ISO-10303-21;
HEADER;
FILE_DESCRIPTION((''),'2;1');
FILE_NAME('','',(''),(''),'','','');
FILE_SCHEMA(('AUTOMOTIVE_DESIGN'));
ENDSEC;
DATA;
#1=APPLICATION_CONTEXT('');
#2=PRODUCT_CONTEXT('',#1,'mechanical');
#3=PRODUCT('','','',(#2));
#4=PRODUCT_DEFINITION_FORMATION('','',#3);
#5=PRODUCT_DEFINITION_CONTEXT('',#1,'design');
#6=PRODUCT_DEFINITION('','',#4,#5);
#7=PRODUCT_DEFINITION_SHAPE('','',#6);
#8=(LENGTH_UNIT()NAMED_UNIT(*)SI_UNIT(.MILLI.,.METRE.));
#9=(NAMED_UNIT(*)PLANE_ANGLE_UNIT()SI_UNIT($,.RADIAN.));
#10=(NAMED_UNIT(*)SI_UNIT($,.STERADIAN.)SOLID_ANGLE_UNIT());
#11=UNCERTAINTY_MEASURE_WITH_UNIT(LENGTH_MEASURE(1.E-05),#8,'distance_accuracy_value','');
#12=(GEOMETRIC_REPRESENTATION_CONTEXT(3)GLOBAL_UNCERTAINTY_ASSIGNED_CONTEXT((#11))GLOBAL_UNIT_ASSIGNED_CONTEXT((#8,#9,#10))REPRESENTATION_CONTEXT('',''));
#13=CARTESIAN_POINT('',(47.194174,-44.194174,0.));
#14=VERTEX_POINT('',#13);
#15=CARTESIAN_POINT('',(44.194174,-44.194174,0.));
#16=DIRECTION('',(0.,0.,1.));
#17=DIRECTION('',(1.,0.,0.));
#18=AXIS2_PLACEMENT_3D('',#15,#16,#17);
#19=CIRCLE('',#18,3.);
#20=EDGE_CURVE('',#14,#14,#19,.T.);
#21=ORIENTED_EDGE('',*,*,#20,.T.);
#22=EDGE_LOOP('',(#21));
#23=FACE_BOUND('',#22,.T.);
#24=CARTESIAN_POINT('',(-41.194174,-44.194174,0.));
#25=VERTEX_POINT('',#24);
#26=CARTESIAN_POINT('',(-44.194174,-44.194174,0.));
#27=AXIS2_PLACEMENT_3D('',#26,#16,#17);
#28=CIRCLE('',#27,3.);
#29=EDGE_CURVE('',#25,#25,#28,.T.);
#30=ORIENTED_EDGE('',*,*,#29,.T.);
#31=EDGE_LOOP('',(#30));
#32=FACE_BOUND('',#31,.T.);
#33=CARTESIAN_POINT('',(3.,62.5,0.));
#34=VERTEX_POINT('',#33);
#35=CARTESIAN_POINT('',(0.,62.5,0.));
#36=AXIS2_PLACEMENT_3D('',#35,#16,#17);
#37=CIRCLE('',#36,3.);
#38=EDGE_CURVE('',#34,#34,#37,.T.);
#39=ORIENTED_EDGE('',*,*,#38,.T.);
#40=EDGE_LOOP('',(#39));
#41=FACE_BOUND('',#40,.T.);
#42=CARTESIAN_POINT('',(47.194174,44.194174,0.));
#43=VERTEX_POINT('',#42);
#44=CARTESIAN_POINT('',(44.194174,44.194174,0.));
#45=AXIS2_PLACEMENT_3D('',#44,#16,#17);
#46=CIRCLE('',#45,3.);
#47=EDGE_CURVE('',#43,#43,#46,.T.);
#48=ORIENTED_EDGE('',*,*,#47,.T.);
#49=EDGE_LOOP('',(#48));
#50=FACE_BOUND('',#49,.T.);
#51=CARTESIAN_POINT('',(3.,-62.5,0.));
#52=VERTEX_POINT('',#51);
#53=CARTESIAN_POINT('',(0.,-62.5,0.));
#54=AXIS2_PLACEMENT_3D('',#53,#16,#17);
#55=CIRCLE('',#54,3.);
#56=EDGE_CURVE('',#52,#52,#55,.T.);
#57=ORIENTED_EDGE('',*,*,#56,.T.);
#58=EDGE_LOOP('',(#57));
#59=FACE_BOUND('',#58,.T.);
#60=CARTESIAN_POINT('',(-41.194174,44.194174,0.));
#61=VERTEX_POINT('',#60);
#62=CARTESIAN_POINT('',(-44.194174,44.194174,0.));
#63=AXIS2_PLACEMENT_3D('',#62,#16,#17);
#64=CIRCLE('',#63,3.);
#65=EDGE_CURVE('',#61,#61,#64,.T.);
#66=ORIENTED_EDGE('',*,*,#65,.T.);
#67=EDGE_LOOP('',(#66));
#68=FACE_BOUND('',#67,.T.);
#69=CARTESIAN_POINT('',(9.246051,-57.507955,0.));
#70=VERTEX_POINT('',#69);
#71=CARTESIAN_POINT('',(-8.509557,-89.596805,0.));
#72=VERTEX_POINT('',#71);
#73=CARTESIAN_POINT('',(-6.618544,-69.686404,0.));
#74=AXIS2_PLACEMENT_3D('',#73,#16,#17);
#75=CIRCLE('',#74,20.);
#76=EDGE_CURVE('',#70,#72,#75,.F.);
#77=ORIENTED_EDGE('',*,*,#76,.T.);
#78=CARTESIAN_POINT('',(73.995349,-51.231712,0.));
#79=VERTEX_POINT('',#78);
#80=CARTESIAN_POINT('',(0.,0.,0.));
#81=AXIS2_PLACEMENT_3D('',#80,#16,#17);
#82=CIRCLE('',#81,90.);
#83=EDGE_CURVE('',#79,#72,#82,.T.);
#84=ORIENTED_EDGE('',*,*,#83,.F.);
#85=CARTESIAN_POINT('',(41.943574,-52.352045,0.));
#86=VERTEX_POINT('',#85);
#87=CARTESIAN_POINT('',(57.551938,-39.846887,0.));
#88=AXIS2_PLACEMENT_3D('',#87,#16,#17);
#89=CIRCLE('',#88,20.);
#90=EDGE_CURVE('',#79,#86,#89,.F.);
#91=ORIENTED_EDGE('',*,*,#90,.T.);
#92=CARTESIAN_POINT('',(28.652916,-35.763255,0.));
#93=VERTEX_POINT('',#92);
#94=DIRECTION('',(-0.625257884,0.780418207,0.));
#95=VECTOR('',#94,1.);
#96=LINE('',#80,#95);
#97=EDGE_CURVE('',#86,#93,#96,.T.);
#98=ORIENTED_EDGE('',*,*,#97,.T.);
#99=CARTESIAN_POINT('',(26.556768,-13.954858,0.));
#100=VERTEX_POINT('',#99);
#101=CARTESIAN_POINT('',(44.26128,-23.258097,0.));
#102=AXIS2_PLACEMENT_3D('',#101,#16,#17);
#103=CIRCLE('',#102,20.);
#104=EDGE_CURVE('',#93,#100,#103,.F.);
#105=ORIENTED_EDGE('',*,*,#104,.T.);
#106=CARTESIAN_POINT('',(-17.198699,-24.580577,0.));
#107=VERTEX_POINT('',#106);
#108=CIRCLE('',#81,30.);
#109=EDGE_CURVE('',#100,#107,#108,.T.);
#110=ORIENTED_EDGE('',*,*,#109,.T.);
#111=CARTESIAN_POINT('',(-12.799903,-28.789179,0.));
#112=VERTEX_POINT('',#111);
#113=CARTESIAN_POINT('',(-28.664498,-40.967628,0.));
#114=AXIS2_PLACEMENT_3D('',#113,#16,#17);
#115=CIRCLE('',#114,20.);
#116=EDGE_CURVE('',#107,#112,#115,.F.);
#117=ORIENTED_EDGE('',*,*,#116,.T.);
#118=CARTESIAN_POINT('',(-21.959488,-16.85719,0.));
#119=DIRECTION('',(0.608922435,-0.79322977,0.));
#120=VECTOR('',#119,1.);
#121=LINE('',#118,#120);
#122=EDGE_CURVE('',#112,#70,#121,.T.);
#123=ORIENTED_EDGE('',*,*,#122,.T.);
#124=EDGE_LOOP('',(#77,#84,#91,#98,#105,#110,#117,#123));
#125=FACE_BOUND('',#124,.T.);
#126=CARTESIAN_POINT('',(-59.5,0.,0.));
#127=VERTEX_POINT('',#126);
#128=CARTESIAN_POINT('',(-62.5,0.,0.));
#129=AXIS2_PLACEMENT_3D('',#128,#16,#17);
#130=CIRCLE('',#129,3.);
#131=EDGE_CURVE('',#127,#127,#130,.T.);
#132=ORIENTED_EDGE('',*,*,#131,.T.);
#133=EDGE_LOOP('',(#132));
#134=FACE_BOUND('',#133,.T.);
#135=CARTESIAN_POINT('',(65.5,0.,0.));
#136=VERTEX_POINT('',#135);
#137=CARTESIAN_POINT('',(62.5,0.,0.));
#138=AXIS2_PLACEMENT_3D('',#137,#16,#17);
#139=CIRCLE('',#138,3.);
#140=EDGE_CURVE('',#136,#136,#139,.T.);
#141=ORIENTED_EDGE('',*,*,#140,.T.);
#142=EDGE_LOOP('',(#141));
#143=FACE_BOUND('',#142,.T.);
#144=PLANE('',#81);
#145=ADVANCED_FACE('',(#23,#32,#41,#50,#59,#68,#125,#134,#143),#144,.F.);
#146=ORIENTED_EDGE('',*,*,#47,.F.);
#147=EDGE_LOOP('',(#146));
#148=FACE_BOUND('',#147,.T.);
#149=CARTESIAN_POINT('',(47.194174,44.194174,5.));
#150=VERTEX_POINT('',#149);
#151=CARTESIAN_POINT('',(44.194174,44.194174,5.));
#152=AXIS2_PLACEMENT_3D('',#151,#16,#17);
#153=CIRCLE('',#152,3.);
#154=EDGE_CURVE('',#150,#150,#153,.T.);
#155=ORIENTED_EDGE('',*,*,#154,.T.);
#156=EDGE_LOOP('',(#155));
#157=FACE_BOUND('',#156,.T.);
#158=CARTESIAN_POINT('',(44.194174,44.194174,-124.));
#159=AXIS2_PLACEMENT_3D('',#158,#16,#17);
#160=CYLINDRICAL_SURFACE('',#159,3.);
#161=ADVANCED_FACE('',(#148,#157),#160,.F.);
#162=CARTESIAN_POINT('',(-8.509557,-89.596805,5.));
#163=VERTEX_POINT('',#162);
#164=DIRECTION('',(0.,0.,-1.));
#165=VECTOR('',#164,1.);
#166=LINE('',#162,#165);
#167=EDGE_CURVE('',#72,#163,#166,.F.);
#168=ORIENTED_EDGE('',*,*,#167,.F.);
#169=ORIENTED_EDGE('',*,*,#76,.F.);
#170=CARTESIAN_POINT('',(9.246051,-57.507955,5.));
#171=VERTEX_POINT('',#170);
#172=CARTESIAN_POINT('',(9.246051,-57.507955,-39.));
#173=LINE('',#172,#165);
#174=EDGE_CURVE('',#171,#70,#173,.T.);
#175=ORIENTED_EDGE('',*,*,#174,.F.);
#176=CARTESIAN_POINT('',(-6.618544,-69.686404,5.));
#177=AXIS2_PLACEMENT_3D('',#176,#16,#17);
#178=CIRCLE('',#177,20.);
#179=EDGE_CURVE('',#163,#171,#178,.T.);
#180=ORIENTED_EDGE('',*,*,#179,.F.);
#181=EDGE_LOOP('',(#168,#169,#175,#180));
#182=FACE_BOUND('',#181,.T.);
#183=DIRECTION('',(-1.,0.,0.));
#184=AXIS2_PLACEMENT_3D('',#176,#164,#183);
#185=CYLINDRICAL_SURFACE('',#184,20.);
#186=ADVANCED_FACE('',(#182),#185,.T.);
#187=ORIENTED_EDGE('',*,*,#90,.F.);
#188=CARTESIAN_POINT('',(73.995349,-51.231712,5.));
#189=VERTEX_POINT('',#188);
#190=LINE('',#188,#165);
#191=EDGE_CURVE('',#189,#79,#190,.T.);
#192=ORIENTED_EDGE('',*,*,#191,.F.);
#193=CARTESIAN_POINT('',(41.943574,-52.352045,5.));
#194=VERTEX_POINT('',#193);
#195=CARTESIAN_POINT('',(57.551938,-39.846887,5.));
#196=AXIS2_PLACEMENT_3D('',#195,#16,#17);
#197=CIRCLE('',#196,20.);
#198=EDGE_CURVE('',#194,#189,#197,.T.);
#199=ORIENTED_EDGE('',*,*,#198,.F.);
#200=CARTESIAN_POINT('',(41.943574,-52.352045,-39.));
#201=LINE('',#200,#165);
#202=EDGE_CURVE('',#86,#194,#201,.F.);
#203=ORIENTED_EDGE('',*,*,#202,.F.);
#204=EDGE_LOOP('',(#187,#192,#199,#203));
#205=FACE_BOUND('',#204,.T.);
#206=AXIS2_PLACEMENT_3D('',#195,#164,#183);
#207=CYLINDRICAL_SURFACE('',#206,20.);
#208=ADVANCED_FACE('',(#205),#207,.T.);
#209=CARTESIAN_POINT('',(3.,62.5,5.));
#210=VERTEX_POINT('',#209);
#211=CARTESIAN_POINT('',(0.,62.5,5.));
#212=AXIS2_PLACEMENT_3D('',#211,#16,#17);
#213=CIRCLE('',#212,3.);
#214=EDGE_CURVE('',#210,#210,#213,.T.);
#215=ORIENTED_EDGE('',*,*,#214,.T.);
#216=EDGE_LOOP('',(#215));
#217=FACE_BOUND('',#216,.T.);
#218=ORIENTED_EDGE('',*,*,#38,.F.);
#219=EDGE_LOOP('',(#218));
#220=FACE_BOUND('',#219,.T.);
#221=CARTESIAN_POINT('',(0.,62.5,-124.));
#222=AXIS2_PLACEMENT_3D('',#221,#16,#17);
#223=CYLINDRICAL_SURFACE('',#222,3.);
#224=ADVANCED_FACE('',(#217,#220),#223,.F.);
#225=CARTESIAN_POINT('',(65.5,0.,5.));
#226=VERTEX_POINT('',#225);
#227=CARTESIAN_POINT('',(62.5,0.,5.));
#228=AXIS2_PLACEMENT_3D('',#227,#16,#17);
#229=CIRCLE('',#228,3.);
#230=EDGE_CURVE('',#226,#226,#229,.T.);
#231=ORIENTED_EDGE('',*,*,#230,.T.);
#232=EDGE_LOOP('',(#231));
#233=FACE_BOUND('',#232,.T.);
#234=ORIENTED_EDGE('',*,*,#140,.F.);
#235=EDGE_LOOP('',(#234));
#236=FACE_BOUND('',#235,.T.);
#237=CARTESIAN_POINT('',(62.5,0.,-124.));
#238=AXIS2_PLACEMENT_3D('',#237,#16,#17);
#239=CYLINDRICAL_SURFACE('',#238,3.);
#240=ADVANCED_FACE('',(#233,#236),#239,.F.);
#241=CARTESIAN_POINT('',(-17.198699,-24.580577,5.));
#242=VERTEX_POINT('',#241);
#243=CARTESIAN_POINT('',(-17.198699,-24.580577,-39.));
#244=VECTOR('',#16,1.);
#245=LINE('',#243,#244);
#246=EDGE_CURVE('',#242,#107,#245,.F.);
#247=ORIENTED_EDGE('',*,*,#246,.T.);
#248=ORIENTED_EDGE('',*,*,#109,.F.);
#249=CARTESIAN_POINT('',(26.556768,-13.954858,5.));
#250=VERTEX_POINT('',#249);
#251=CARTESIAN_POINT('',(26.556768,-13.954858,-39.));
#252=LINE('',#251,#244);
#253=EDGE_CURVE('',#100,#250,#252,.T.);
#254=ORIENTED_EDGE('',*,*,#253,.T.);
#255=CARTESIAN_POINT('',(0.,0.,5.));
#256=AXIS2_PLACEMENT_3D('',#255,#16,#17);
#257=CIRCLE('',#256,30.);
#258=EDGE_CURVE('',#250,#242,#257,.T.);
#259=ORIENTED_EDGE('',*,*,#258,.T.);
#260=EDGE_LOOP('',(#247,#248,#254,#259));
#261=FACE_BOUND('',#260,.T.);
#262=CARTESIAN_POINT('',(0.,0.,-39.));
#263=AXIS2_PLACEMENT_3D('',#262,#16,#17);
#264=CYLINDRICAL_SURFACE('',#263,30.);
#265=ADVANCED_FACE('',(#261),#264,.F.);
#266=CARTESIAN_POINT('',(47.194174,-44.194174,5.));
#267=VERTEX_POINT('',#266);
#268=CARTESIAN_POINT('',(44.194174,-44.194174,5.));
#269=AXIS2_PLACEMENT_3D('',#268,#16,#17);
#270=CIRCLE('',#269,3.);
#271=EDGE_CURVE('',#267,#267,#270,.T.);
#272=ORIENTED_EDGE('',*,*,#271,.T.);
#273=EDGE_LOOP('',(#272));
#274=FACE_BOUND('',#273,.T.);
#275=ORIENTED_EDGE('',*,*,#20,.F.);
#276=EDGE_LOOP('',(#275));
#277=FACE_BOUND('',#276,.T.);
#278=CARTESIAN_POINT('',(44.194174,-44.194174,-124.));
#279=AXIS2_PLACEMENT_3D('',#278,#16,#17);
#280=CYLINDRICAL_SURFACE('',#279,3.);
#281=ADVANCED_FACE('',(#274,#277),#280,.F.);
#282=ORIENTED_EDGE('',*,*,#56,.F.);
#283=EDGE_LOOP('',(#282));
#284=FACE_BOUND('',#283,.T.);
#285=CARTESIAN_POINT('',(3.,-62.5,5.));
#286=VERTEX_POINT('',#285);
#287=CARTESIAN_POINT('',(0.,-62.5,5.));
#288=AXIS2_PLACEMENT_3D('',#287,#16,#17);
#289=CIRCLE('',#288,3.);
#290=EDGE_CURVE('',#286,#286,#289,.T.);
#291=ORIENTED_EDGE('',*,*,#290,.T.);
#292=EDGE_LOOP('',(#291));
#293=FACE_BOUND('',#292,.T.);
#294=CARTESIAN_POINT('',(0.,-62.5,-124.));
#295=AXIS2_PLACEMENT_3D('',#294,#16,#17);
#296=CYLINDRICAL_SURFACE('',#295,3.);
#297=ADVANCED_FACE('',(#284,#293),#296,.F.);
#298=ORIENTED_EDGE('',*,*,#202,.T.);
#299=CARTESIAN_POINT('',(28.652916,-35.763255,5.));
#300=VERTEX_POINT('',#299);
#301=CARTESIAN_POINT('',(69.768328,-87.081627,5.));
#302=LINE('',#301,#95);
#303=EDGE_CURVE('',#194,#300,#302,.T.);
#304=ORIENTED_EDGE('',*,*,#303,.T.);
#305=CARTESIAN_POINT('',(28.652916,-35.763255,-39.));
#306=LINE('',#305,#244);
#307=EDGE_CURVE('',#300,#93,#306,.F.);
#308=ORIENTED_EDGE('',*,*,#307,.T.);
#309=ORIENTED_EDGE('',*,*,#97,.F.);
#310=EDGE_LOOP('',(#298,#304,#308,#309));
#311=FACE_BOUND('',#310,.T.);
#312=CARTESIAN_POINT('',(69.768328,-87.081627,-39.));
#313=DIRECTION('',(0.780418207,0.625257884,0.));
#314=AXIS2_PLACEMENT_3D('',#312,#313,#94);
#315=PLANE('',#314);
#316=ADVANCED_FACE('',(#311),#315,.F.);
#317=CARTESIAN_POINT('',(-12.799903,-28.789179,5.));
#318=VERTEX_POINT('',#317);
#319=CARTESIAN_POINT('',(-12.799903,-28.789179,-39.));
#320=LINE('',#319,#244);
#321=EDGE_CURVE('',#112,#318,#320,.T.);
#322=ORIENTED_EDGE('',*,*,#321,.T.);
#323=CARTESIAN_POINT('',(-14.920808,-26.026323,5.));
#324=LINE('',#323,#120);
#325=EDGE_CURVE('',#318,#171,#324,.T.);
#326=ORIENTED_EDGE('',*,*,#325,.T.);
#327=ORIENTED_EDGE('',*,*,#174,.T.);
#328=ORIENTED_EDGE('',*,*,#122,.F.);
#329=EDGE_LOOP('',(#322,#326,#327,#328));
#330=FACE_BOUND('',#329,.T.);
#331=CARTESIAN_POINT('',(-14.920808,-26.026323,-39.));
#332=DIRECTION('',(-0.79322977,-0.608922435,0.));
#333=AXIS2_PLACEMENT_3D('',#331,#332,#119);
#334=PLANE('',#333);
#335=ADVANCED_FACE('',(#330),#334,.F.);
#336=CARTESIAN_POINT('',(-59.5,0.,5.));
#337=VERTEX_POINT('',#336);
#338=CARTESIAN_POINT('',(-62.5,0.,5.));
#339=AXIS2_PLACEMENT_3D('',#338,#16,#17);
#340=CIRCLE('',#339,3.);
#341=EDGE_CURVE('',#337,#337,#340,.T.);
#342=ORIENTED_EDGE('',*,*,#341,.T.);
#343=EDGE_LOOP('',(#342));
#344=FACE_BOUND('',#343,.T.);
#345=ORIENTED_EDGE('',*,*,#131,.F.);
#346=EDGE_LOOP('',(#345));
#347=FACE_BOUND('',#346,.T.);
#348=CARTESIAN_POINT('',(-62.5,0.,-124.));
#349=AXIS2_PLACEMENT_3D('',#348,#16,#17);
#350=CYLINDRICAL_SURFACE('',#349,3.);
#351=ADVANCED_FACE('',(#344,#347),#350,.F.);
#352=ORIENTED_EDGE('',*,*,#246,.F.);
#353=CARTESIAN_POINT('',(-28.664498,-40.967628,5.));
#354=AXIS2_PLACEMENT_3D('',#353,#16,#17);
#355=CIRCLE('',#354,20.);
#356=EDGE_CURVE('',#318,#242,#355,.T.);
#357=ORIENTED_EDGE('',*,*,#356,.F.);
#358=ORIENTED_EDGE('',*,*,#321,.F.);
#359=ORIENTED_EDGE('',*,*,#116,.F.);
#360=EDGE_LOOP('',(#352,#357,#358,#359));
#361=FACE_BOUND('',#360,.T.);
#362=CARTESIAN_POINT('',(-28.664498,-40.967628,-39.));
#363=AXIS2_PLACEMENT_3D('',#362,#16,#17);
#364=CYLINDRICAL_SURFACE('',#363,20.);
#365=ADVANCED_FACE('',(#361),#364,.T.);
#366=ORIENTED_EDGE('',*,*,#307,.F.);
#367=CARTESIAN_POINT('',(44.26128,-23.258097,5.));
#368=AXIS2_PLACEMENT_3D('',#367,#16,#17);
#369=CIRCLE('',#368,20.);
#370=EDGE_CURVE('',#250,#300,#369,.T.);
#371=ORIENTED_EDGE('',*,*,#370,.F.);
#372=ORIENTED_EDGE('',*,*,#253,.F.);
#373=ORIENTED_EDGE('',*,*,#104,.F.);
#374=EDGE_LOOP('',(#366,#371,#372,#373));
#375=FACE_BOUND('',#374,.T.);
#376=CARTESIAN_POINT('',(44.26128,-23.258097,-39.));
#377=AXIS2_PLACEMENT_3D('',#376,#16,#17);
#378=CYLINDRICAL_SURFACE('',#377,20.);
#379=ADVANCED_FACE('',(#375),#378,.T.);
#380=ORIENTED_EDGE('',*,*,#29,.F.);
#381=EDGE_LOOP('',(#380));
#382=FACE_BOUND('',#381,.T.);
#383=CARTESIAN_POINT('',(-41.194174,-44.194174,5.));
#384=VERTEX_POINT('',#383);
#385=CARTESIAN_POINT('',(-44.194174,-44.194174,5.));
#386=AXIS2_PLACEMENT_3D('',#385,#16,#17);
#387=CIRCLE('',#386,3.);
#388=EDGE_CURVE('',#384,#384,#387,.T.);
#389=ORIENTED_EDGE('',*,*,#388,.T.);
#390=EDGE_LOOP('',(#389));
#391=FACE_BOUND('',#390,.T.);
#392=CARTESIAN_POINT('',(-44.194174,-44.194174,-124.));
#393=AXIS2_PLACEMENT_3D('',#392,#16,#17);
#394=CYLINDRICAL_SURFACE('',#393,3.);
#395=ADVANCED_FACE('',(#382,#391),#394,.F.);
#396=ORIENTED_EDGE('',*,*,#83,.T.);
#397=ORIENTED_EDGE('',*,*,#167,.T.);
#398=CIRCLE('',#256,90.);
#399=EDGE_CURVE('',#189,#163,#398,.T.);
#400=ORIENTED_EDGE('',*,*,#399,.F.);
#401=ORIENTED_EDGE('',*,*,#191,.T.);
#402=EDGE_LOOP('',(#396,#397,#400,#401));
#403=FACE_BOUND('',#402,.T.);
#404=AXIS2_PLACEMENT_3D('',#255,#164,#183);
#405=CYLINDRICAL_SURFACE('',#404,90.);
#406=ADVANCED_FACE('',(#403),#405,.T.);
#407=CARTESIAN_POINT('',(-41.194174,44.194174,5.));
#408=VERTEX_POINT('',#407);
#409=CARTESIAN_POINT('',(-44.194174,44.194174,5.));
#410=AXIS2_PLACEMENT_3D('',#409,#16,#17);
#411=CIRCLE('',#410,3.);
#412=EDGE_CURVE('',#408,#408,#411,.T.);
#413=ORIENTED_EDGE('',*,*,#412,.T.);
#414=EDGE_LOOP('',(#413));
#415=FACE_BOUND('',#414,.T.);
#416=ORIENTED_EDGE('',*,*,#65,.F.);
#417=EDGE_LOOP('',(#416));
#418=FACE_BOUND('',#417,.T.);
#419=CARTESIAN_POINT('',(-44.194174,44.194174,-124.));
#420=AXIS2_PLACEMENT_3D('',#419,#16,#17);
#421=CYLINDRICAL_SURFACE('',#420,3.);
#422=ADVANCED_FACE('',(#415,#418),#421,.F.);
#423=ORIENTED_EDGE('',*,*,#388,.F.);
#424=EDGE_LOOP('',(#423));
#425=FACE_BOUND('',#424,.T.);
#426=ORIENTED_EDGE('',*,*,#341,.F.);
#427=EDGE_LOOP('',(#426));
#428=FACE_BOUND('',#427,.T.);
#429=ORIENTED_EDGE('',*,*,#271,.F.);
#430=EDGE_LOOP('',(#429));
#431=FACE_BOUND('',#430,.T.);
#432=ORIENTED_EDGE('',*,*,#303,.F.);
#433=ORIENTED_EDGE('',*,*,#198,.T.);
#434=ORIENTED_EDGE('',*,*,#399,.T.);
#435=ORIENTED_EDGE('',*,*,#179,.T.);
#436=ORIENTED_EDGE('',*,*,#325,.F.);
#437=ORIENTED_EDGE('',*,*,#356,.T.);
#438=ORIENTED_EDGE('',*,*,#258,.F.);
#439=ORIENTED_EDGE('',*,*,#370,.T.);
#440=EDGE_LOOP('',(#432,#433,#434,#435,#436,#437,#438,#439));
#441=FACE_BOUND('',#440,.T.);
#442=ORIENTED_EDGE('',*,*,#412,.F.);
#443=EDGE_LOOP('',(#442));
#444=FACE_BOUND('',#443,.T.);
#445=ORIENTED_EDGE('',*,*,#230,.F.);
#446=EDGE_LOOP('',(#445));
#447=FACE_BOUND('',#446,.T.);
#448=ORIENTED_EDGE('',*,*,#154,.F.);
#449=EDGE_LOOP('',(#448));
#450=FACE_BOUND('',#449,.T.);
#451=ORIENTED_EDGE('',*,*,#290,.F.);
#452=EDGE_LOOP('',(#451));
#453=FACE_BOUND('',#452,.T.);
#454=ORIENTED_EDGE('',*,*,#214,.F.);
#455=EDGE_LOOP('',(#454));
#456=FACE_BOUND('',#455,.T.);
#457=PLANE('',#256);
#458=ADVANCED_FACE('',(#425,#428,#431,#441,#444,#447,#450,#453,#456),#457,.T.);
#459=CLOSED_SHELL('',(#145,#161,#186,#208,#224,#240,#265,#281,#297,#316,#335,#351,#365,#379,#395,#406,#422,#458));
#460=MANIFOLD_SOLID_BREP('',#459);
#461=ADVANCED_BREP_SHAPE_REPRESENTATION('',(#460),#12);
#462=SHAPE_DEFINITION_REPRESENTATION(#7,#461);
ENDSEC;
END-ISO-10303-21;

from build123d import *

# Parameters (mm, degrees)
SKETCH1_R           = 90
BOSS_EXTRUDE1_DEPTH = 5
CUT_EXTRUDE1_DEPTH  = 44
SKETCH3_R           = 3
CUT_EXTRUDE2_DEPTH  = 129
FILLET1_R           = 20


with BuildPart() as part:
    # Sketch1 → Boss-Extrude1 (new body)
    with BuildSketch(Plane.XY):
        Circle(SKETCH1_R)
    extrude(amount=BOSS_EXTRUDE1_DEPTH)

    # Sketch2 → Cut-Extrude1 (cut)
    with BuildSketch(Plane.XY.offset(5)):
        with BuildLine():
            Line((69.768328483, -87.081626915), (45.971435375, -105.349299959))
            Line((45.971435375, -105.349299959), (-14.920808105, -26.026322935))
            ThreePointArc((-14.920808105, -26.026322935), (-2.321306127, 29.91005747), (18.757736535, -23.412546211))
            Line((18.757736535, -23.412546211), (69.768328483, -87.081626915))
        make_face()
    extrude(amount=-CUT_EXTRUDE1_DEPTH, mode=Mode.SUBTRACT)

    # Sketch3 → Cut-Extrude2 (cut)
    with BuildSketch(Plane.XY.offset(5)):
        with Locations((62.5, 0)):
            Circle(SKETCH3_R)
        with Locations((44.194173824, -44.194173824)):
            Circle(SKETCH3_R)
        with Locations((0, -62.5)):
            Circle(SKETCH3_R)
        with Locations((-44.194173824, -44.194173824)):
            Circle(SKETCH3_R)
        with Locations((-62.5, 0)):
            Circle(SKETCH3_R)
        with Locations((-44.194173824, 44.194173824)):
            Circle(SKETCH3_R)
        with Locations((0, 62.5)):
            Circle(SKETCH3_R)
        with Locations((44.194173824, 44.194173824)):
            Circle(SKETCH3_R)
    extrude(amount=-CUT_EXTRUDE2_DEPTH, mode=Mode.SUBTRACT)

    # Fillet1
    fillet1_edges = [part.edges().sort_by_distance(p)[0] for p in [
        (-14.920808105, -26.026322935, 2.5),
        (56.273209604, -70.237638634, 2.5),
        (18.757736535, -23.412546211, 2.5),
        (30.18651872, -84.786638615, 2.5),
    ]]
    fillet(fillet1_edges, radius=FILLET1_R)


solid = part.part
